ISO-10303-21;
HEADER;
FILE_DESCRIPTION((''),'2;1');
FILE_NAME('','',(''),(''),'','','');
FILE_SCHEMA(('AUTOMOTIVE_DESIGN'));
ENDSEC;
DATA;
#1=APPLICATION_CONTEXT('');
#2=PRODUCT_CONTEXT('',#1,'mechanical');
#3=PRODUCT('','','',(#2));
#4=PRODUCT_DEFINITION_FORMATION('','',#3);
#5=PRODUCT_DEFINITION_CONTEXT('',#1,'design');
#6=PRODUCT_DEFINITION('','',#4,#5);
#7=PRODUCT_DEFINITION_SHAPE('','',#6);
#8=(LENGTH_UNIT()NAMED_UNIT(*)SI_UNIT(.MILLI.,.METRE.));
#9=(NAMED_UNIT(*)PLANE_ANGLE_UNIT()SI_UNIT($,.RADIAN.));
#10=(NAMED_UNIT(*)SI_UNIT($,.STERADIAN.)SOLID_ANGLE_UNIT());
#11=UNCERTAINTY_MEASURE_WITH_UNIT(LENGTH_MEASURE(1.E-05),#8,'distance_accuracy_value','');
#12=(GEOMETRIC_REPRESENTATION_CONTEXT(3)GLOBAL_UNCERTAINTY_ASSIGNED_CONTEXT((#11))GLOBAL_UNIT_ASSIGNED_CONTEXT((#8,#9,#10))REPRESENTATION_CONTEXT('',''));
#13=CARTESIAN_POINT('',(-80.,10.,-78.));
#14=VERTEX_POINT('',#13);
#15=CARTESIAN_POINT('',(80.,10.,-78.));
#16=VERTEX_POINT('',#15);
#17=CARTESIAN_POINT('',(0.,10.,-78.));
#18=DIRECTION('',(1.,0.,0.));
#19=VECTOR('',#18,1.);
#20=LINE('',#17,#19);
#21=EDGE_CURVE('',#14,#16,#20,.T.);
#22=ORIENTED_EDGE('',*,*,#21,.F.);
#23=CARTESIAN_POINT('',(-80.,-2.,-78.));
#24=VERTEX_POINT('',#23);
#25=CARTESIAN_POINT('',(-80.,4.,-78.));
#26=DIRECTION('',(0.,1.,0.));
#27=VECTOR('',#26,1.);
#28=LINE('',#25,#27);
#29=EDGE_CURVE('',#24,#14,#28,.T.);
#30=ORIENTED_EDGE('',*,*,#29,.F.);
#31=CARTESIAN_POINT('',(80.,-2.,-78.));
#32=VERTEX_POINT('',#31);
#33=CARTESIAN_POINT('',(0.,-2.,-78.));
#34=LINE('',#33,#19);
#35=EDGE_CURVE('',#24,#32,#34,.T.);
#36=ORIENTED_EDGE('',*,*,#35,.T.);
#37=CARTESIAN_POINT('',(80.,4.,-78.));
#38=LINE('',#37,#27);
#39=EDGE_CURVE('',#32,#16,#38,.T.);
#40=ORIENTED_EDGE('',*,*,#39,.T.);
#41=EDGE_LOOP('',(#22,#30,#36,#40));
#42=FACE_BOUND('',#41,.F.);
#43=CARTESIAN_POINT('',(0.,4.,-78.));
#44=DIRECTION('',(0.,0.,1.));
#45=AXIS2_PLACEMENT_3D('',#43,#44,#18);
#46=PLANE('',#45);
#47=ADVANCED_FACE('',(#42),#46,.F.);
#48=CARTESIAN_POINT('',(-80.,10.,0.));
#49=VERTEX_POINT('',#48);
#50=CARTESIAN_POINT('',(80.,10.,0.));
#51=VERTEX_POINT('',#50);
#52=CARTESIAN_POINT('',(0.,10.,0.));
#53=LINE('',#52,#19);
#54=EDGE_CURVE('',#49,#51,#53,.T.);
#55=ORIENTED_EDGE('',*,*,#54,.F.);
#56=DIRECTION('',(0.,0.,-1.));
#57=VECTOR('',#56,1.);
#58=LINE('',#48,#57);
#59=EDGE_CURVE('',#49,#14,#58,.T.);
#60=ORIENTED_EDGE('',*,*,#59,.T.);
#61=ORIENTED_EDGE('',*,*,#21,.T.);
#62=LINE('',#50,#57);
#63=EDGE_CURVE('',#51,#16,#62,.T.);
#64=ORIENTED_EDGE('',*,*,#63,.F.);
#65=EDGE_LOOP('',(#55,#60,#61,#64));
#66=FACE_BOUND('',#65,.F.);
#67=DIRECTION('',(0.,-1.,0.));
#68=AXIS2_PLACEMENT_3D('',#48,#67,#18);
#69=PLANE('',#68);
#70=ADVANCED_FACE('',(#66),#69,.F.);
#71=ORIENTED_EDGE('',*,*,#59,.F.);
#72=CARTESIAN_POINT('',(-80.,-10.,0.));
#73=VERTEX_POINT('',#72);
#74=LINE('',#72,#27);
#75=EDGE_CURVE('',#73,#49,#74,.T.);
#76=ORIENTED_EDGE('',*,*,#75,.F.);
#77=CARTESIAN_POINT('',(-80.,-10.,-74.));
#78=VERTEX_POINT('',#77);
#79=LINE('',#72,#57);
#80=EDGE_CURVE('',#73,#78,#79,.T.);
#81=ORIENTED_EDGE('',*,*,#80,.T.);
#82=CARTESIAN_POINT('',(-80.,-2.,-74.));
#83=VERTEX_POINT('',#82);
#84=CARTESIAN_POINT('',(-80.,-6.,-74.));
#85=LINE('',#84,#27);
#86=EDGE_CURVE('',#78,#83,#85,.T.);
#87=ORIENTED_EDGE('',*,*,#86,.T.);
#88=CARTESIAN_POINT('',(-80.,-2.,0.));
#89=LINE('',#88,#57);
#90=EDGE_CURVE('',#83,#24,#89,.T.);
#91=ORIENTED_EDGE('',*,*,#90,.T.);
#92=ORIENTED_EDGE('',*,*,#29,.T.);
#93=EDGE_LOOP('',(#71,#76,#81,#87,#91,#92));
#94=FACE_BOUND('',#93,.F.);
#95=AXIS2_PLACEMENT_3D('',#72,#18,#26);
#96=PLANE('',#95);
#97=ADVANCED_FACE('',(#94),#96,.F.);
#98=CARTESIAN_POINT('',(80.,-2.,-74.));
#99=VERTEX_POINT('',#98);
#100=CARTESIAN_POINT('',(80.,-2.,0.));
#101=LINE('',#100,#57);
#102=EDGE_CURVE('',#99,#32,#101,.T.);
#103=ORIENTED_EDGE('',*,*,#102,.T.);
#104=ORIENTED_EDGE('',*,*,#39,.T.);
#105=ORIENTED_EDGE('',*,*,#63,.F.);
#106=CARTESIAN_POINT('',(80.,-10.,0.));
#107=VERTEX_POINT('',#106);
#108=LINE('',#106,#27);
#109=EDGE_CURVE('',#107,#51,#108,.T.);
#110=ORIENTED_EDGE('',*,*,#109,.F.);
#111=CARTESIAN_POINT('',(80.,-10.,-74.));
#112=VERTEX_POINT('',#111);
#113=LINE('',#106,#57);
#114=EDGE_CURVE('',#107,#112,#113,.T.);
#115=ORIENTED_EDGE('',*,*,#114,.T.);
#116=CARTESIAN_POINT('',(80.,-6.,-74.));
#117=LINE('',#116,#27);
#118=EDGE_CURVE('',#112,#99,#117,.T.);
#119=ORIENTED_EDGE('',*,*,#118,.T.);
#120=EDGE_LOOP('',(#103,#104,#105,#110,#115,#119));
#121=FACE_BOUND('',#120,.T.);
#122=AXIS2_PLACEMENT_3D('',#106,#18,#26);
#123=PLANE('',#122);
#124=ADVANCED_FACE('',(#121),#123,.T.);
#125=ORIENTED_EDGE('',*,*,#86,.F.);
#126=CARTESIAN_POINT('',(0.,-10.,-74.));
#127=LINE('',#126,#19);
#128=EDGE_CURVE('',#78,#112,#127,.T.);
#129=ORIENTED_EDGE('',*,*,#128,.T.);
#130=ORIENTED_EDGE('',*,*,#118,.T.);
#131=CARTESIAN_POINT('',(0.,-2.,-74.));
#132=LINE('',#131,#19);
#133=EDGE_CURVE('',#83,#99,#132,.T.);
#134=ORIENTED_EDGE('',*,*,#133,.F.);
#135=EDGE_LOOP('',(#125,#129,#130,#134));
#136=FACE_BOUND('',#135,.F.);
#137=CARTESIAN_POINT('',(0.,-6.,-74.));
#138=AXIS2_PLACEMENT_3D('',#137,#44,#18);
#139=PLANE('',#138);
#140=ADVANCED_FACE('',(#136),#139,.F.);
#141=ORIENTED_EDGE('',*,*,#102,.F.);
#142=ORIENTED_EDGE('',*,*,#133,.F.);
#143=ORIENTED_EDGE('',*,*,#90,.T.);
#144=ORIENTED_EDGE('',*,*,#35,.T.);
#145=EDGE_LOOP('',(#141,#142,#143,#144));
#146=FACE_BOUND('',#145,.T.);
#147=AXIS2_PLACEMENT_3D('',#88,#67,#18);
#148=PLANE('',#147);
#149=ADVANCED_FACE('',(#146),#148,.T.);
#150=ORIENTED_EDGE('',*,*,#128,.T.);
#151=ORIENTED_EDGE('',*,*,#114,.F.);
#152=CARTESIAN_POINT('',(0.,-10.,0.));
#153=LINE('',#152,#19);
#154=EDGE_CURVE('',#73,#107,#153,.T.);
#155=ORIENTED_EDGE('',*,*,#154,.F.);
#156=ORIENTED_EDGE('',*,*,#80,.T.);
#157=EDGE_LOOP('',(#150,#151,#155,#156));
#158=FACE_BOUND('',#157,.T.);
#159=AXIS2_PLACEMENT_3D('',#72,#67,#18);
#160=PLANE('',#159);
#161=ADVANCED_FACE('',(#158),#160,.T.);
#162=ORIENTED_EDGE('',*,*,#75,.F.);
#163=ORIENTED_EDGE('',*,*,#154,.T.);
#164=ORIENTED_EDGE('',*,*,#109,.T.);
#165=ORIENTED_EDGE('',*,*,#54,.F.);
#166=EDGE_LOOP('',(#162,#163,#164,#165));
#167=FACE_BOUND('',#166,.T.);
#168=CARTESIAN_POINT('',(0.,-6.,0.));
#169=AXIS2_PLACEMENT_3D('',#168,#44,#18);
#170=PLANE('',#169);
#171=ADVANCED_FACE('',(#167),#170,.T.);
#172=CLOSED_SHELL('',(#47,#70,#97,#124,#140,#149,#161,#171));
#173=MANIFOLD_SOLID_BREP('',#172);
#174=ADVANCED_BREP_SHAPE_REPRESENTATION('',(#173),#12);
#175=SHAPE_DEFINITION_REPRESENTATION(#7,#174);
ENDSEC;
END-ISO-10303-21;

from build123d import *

# Parameters (mm, degrees)
F0_W     = 160
F0_H     = 12
F1_DEPTH = 78
F0_H_2   = 8
F2_DEPTH = 74


with BuildPart() as f1:
    # F0 (on Top) → F1 (new body)
    with BuildSketch(Plane.XY):
        with Locations((0, 4)):
            Rectangle(F0_W, F0_H)
    extrude(amount=-F1_DEPTH)

    # F0 (on Top) → F2 (join)
    with BuildSketch(Plane.XY):
        with Locations((0, -6)):
            Rectangle(F0_W, F0_H_2)
    extrude(amount=-F2_DEPTH)


solid = f1.part
